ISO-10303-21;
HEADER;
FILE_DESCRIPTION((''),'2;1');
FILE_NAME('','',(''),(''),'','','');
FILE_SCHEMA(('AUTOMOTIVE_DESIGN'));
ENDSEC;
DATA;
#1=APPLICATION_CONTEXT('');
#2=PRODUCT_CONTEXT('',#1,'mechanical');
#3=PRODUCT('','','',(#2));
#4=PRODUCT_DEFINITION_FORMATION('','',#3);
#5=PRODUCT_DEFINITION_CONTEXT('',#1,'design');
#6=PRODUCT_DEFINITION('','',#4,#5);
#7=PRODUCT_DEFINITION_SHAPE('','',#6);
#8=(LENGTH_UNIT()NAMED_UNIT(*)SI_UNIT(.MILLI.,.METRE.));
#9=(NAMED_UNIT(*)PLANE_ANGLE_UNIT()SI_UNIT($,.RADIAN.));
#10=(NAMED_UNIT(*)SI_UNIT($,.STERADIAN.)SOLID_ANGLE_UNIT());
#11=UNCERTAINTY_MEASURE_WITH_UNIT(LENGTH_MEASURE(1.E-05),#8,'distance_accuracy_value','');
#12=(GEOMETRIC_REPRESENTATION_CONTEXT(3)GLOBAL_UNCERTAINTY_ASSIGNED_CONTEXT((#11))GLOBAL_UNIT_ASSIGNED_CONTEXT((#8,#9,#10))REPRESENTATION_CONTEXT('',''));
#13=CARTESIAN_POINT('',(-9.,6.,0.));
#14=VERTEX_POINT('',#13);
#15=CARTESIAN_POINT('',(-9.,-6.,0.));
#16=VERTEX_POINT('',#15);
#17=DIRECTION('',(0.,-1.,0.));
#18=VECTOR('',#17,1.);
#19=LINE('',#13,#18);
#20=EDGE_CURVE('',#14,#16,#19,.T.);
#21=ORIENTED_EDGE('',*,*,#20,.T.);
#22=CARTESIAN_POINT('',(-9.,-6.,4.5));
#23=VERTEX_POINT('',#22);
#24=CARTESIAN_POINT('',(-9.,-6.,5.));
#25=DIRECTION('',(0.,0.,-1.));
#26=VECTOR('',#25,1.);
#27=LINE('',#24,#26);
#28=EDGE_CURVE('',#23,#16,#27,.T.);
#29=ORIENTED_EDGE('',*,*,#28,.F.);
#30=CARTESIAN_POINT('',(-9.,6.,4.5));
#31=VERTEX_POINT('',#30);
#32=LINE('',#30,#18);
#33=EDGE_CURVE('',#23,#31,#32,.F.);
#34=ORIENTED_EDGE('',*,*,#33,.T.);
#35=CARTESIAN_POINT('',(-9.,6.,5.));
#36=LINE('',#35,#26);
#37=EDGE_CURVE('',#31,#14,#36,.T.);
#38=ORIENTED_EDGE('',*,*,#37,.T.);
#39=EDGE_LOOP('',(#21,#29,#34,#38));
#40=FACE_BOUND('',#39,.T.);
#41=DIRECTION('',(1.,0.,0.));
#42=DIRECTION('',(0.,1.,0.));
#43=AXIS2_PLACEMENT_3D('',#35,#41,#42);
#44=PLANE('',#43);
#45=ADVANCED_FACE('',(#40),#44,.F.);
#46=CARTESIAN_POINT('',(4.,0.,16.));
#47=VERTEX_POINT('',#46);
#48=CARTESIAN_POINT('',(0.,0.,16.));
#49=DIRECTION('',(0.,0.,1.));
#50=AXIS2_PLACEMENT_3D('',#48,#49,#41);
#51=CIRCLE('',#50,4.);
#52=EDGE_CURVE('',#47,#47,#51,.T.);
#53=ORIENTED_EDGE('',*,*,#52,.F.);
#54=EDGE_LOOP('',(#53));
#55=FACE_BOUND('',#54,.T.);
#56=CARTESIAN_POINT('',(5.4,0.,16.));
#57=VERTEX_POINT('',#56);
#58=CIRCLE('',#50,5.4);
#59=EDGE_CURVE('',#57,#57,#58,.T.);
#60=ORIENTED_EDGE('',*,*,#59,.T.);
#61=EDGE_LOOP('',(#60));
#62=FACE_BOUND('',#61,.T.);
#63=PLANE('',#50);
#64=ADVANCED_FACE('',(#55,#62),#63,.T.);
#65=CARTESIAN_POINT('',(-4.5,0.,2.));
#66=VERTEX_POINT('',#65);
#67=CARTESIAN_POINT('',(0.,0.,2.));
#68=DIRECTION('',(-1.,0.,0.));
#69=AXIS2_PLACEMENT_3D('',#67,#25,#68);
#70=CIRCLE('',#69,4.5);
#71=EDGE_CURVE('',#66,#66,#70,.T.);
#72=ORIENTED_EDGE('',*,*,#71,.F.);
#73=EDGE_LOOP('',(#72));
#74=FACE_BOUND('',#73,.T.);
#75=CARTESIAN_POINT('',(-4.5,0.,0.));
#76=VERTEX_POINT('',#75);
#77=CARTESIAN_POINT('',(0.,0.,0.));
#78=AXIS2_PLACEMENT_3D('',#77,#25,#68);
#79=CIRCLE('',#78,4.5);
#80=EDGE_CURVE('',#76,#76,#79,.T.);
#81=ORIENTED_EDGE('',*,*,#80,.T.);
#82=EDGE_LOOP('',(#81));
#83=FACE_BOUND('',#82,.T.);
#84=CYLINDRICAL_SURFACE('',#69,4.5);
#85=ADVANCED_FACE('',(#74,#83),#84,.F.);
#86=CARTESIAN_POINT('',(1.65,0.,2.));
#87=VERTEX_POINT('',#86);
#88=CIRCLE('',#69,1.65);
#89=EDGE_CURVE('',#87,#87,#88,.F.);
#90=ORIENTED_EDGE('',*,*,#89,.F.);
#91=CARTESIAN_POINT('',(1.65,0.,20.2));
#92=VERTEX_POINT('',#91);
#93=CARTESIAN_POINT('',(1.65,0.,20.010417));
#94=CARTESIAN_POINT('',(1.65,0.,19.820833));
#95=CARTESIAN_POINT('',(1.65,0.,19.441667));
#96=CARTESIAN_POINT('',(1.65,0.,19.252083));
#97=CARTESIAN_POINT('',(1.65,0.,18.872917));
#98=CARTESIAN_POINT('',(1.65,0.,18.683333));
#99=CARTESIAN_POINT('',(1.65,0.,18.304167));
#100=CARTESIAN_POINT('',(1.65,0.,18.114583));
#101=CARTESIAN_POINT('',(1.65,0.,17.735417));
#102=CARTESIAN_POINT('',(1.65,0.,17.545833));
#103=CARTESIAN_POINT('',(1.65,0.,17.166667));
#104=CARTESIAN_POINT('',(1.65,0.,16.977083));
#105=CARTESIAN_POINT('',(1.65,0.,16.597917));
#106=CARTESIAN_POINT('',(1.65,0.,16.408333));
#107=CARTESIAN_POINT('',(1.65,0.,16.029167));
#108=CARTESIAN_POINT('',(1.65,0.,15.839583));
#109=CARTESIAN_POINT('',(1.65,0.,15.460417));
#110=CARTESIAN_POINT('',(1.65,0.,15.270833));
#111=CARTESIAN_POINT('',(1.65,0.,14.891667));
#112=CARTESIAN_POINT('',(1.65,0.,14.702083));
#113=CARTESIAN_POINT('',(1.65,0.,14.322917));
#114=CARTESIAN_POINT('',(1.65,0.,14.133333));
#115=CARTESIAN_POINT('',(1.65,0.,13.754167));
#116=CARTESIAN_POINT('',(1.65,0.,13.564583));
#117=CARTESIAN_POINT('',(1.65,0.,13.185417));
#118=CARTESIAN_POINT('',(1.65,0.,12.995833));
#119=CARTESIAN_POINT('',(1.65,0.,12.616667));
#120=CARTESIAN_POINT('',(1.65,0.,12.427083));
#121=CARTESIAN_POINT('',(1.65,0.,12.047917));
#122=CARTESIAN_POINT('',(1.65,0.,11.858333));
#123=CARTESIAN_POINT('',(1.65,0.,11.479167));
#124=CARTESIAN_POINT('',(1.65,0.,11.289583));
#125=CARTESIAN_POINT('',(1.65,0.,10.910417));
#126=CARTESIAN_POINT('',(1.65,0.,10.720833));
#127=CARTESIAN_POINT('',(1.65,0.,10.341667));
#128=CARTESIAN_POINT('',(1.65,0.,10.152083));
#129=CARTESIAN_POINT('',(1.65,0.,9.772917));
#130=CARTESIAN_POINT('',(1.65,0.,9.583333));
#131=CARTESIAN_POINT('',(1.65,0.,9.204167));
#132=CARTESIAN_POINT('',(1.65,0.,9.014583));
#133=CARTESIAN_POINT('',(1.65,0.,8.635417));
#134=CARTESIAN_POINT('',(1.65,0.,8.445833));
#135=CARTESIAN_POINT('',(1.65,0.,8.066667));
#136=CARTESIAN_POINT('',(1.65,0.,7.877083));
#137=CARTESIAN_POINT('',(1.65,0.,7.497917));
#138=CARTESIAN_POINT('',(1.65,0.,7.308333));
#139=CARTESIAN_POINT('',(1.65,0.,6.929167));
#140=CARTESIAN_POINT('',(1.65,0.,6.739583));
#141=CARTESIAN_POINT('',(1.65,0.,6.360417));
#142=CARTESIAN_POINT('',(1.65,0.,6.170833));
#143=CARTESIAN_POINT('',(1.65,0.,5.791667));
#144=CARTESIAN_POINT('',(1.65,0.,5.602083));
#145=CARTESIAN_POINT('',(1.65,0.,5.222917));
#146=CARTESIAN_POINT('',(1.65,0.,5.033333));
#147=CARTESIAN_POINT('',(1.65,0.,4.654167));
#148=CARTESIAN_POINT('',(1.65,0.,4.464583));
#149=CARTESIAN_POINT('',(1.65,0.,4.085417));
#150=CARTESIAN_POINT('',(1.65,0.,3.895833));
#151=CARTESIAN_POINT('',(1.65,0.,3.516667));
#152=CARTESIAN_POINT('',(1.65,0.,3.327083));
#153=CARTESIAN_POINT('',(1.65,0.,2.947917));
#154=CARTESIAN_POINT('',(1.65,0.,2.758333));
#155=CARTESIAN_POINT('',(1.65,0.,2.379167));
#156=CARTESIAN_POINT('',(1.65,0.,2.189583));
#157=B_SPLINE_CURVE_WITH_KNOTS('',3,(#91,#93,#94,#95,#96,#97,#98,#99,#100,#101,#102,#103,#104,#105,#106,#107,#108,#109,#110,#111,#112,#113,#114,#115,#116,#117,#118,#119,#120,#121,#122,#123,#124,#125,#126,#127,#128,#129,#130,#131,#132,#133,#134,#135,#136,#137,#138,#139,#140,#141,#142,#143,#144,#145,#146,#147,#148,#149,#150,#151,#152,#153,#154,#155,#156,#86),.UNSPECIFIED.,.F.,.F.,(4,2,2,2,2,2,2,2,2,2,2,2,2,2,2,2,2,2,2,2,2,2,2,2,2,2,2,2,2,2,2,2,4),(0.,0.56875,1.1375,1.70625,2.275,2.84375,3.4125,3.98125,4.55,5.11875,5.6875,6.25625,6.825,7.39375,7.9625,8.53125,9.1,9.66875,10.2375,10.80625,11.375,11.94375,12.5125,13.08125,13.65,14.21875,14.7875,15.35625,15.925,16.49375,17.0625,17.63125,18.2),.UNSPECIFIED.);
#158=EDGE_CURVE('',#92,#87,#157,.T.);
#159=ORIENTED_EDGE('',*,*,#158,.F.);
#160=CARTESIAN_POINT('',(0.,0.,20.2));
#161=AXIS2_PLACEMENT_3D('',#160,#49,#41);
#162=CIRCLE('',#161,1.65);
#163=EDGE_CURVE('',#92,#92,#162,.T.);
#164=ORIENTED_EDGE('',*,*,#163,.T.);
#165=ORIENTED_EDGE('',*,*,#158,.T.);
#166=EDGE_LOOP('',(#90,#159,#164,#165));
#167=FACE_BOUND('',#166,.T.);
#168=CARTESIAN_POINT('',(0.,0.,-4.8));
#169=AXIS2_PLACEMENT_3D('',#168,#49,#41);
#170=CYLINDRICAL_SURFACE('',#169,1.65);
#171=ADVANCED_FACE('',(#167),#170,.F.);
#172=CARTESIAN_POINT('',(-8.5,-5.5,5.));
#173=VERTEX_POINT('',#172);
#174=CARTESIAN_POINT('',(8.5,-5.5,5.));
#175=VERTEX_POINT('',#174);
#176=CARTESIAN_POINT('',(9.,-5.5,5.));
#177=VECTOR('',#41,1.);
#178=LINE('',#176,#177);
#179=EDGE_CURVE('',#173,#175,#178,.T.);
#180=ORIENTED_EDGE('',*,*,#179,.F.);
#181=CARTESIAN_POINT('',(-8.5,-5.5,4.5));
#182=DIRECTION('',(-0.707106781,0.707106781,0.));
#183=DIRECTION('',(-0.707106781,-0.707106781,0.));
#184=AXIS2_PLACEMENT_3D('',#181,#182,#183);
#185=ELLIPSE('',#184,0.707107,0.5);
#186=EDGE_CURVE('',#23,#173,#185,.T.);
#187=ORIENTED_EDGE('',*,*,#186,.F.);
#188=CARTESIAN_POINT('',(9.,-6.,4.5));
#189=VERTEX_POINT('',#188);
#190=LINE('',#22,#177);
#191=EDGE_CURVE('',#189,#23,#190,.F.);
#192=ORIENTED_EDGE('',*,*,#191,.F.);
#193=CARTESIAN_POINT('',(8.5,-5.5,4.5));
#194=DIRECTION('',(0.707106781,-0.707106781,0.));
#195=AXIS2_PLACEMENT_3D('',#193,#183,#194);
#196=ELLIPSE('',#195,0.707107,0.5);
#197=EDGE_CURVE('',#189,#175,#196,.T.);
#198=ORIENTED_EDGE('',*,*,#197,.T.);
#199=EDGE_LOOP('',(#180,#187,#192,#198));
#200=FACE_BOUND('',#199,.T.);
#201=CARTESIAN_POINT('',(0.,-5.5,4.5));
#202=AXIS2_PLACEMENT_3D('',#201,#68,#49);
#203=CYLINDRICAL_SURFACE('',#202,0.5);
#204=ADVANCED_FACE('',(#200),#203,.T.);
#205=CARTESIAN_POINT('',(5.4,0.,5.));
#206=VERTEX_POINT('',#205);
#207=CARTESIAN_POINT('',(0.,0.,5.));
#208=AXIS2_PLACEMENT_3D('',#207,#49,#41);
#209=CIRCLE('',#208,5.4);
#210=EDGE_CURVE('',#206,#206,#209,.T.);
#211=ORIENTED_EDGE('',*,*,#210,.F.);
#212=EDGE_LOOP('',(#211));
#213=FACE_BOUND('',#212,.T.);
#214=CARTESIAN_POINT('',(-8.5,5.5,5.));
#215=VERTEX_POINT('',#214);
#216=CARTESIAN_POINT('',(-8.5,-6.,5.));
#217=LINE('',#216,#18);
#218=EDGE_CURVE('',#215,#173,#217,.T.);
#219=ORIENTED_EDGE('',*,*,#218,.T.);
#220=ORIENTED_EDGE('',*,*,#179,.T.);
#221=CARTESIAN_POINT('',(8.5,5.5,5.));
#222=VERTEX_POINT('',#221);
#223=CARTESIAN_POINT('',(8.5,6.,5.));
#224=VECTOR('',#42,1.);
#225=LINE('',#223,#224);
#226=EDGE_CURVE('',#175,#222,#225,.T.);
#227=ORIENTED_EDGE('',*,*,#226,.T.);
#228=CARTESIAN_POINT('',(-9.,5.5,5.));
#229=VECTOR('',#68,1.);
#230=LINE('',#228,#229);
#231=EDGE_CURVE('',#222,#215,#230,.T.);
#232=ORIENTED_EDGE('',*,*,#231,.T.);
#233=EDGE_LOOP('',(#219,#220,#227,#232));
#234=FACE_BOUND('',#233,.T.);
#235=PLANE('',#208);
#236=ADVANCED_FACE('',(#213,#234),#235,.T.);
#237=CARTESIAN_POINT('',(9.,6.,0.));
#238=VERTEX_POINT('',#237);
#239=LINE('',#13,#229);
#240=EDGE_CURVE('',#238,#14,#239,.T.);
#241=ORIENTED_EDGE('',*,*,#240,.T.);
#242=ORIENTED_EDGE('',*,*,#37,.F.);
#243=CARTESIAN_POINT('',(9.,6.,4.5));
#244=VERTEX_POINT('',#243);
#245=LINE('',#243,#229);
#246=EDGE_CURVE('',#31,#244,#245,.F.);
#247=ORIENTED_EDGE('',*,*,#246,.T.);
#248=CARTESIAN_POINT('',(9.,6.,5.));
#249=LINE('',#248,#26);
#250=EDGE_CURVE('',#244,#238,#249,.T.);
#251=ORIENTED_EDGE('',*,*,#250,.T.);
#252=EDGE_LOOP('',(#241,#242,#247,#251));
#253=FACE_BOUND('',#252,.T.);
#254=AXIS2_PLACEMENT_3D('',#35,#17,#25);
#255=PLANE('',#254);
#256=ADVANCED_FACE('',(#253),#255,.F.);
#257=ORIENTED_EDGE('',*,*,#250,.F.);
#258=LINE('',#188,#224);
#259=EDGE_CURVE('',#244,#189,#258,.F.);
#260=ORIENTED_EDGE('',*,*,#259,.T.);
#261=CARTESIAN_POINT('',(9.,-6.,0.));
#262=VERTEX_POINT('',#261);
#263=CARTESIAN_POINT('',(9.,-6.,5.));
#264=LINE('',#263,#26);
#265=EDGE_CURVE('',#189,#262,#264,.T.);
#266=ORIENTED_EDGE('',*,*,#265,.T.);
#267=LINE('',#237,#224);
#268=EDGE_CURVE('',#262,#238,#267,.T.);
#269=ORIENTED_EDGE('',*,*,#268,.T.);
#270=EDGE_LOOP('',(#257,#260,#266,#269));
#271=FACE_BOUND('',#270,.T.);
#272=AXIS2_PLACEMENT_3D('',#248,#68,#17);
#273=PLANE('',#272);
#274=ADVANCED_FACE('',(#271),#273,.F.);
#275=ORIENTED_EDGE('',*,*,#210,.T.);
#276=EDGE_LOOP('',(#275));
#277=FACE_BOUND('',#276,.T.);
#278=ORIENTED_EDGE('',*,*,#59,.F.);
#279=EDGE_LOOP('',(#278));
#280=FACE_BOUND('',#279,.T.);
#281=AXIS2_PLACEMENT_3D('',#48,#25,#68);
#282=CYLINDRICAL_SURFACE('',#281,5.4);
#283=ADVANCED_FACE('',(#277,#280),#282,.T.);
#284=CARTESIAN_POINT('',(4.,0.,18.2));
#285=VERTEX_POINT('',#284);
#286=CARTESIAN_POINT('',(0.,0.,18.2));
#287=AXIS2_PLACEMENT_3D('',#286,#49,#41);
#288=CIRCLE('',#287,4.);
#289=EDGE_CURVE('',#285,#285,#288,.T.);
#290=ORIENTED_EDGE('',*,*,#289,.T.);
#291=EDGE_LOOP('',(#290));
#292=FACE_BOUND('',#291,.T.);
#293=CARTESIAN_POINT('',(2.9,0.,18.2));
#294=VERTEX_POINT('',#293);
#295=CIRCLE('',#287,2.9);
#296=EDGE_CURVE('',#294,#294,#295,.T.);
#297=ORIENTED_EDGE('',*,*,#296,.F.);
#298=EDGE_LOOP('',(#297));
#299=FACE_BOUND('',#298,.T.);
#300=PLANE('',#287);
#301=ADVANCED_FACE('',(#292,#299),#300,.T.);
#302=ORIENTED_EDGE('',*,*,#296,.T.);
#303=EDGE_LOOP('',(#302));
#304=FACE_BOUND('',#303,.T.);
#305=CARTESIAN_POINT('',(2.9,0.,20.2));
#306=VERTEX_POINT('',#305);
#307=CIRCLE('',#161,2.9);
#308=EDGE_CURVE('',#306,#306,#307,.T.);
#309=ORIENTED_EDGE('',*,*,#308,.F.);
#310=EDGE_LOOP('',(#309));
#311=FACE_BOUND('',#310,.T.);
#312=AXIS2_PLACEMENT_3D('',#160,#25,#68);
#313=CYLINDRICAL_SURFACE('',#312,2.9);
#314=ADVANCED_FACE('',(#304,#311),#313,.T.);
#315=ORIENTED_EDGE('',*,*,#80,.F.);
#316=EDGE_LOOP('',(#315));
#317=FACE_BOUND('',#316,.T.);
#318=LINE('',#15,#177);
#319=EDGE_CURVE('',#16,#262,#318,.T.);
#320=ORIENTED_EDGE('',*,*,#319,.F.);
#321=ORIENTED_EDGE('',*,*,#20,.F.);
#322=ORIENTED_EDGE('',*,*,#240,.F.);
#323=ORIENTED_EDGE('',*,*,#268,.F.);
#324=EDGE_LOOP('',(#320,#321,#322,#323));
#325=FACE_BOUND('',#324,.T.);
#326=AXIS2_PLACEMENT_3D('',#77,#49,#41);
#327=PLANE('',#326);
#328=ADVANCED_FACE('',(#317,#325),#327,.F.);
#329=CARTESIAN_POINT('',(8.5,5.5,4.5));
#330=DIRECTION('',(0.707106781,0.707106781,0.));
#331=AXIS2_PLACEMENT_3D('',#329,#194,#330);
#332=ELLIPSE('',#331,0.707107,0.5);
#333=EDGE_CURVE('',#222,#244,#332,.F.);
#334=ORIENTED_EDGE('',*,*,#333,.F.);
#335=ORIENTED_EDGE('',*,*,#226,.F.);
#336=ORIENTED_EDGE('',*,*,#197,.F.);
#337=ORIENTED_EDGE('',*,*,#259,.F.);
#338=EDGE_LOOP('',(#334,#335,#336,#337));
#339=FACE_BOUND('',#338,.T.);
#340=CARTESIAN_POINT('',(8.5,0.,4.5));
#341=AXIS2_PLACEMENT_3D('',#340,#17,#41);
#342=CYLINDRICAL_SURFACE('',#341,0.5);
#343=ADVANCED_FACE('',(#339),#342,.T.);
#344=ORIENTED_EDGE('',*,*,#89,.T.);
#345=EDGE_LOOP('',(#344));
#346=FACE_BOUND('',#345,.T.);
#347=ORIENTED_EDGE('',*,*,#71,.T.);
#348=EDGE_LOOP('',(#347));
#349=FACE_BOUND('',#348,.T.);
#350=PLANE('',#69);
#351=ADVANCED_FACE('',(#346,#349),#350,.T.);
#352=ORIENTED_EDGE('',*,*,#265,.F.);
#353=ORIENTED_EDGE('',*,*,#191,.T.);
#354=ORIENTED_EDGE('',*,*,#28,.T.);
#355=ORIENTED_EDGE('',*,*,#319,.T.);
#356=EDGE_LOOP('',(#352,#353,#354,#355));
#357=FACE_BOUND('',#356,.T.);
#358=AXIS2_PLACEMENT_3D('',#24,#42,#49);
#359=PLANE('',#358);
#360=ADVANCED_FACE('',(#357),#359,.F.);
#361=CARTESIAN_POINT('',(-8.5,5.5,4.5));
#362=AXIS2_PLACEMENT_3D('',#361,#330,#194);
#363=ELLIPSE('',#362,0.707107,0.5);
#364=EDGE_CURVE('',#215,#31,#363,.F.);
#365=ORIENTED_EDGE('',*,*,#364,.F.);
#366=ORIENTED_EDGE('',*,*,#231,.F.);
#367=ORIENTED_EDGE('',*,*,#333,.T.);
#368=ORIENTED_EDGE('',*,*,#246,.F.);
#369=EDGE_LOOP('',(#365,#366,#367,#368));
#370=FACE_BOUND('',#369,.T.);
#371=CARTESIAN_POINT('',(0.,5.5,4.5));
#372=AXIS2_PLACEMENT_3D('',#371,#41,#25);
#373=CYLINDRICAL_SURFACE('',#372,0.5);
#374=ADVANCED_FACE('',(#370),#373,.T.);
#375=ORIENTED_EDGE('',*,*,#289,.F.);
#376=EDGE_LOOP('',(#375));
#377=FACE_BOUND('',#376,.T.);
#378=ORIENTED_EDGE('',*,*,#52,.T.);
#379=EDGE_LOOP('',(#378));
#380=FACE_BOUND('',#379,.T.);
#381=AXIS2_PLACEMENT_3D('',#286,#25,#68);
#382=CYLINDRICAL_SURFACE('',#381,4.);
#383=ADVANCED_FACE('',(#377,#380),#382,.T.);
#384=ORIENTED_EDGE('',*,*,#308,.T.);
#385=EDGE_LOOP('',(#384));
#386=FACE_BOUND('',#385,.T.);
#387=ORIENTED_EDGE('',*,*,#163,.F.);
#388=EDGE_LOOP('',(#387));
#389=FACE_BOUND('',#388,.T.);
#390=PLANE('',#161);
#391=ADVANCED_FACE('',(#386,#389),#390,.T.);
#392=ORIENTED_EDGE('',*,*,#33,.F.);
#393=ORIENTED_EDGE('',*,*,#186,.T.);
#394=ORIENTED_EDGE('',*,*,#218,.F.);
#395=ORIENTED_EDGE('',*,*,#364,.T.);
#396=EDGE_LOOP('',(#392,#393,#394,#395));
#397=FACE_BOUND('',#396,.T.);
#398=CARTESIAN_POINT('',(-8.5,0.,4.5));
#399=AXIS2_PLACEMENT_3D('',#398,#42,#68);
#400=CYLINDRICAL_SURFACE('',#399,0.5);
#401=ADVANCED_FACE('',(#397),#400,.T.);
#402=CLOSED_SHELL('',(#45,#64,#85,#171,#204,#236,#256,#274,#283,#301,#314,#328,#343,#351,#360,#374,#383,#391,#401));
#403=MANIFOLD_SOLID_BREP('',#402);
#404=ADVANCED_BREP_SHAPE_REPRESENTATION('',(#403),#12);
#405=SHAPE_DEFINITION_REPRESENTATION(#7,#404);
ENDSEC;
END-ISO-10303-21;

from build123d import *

# Parameters (mm, degrees)
SKETCH_1_W          = 18
SKETCH_1_H          = 12
EXTRUDE_1_DEPTH     = 5
SKETCH_2_R          = 5.4
EXTRUDE_2_DEPTH     = 11
SKETCH_3_R          = 4
EXTRUDE_3_DEPTH     = 2.2
SKETCH_4_R          = 2.9
EXTRUDE_4_DEPTH     = 2
SKETCH_5_R          = 1.65
CUT_EXTRUDE_1_DEPTH = 25
SKETCH_6_R          = 4.5
CUT_EXTRUDE_2_DEPTH = 2
FILLET_1_R          = 0.5


with BuildPart() as part:
    # 草图1 → 凸台-拉伸1 (new body)
    with BuildSketch(Plane.XY):
        Rectangle(SKETCH_1_W, SKETCH_1_H)
    extrude(amount=EXTRUDE_1_DEPTH)

    # 草图2 → 凸台-拉伸2 (add)
    with BuildSketch(Plane.XY.offset(5)):
        Circle(SKETCH_2_R)
    extrude(amount=EXTRUDE_2_DEPTH)

    # 草图3 → 凸台-拉伸3 (add)
    with BuildSketch(Plane.XY.offset(16)):
        Circle(SKETCH_3_R)
    extrude(amount=EXTRUDE_3_DEPTH)

    # 草图4 → 凸台-拉伸4 (add)
    with BuildSketch(Plane.XY.offset(18.2)):
        Circle(SKETCH_4_R)
    extrude(amount=EXTRUDE_4_DEPTH)

    # 草图5 → 切除-拉伸1 (cut)
    with BuildSketch(Plane.XY.offset(20.2)):
        Circle(SKETCH_5_R)
    extrude(amount=-CUT_EXTRUDE_1_DEPTH, mode=Mode.SUBTRACT)

    # 草图6 → 切除-拉伸2 (cut)
    with BuildSketch(Plane(origin=(0, 0, 0), x_dir=(-1, 0, 0), z_dir=(0, 0, -1))):
        Circle(SKETCH_6_R)
    extrude(amount=-CUT_EXTRUDE_2_DEPTH, mode=Mode.SUBTRACT)

    # 圆角1
    fillet_1_edges = [part.edges().sort_by_distance(p)[0] for p in [
        (-9, 0, 5),
        (0, -6, 5),
        (9, 0, 5),
        (0, 6, 5),
    ]]
    fillet(fillet_1_edges, radius=FILLET_1_R)


solid = part.part
